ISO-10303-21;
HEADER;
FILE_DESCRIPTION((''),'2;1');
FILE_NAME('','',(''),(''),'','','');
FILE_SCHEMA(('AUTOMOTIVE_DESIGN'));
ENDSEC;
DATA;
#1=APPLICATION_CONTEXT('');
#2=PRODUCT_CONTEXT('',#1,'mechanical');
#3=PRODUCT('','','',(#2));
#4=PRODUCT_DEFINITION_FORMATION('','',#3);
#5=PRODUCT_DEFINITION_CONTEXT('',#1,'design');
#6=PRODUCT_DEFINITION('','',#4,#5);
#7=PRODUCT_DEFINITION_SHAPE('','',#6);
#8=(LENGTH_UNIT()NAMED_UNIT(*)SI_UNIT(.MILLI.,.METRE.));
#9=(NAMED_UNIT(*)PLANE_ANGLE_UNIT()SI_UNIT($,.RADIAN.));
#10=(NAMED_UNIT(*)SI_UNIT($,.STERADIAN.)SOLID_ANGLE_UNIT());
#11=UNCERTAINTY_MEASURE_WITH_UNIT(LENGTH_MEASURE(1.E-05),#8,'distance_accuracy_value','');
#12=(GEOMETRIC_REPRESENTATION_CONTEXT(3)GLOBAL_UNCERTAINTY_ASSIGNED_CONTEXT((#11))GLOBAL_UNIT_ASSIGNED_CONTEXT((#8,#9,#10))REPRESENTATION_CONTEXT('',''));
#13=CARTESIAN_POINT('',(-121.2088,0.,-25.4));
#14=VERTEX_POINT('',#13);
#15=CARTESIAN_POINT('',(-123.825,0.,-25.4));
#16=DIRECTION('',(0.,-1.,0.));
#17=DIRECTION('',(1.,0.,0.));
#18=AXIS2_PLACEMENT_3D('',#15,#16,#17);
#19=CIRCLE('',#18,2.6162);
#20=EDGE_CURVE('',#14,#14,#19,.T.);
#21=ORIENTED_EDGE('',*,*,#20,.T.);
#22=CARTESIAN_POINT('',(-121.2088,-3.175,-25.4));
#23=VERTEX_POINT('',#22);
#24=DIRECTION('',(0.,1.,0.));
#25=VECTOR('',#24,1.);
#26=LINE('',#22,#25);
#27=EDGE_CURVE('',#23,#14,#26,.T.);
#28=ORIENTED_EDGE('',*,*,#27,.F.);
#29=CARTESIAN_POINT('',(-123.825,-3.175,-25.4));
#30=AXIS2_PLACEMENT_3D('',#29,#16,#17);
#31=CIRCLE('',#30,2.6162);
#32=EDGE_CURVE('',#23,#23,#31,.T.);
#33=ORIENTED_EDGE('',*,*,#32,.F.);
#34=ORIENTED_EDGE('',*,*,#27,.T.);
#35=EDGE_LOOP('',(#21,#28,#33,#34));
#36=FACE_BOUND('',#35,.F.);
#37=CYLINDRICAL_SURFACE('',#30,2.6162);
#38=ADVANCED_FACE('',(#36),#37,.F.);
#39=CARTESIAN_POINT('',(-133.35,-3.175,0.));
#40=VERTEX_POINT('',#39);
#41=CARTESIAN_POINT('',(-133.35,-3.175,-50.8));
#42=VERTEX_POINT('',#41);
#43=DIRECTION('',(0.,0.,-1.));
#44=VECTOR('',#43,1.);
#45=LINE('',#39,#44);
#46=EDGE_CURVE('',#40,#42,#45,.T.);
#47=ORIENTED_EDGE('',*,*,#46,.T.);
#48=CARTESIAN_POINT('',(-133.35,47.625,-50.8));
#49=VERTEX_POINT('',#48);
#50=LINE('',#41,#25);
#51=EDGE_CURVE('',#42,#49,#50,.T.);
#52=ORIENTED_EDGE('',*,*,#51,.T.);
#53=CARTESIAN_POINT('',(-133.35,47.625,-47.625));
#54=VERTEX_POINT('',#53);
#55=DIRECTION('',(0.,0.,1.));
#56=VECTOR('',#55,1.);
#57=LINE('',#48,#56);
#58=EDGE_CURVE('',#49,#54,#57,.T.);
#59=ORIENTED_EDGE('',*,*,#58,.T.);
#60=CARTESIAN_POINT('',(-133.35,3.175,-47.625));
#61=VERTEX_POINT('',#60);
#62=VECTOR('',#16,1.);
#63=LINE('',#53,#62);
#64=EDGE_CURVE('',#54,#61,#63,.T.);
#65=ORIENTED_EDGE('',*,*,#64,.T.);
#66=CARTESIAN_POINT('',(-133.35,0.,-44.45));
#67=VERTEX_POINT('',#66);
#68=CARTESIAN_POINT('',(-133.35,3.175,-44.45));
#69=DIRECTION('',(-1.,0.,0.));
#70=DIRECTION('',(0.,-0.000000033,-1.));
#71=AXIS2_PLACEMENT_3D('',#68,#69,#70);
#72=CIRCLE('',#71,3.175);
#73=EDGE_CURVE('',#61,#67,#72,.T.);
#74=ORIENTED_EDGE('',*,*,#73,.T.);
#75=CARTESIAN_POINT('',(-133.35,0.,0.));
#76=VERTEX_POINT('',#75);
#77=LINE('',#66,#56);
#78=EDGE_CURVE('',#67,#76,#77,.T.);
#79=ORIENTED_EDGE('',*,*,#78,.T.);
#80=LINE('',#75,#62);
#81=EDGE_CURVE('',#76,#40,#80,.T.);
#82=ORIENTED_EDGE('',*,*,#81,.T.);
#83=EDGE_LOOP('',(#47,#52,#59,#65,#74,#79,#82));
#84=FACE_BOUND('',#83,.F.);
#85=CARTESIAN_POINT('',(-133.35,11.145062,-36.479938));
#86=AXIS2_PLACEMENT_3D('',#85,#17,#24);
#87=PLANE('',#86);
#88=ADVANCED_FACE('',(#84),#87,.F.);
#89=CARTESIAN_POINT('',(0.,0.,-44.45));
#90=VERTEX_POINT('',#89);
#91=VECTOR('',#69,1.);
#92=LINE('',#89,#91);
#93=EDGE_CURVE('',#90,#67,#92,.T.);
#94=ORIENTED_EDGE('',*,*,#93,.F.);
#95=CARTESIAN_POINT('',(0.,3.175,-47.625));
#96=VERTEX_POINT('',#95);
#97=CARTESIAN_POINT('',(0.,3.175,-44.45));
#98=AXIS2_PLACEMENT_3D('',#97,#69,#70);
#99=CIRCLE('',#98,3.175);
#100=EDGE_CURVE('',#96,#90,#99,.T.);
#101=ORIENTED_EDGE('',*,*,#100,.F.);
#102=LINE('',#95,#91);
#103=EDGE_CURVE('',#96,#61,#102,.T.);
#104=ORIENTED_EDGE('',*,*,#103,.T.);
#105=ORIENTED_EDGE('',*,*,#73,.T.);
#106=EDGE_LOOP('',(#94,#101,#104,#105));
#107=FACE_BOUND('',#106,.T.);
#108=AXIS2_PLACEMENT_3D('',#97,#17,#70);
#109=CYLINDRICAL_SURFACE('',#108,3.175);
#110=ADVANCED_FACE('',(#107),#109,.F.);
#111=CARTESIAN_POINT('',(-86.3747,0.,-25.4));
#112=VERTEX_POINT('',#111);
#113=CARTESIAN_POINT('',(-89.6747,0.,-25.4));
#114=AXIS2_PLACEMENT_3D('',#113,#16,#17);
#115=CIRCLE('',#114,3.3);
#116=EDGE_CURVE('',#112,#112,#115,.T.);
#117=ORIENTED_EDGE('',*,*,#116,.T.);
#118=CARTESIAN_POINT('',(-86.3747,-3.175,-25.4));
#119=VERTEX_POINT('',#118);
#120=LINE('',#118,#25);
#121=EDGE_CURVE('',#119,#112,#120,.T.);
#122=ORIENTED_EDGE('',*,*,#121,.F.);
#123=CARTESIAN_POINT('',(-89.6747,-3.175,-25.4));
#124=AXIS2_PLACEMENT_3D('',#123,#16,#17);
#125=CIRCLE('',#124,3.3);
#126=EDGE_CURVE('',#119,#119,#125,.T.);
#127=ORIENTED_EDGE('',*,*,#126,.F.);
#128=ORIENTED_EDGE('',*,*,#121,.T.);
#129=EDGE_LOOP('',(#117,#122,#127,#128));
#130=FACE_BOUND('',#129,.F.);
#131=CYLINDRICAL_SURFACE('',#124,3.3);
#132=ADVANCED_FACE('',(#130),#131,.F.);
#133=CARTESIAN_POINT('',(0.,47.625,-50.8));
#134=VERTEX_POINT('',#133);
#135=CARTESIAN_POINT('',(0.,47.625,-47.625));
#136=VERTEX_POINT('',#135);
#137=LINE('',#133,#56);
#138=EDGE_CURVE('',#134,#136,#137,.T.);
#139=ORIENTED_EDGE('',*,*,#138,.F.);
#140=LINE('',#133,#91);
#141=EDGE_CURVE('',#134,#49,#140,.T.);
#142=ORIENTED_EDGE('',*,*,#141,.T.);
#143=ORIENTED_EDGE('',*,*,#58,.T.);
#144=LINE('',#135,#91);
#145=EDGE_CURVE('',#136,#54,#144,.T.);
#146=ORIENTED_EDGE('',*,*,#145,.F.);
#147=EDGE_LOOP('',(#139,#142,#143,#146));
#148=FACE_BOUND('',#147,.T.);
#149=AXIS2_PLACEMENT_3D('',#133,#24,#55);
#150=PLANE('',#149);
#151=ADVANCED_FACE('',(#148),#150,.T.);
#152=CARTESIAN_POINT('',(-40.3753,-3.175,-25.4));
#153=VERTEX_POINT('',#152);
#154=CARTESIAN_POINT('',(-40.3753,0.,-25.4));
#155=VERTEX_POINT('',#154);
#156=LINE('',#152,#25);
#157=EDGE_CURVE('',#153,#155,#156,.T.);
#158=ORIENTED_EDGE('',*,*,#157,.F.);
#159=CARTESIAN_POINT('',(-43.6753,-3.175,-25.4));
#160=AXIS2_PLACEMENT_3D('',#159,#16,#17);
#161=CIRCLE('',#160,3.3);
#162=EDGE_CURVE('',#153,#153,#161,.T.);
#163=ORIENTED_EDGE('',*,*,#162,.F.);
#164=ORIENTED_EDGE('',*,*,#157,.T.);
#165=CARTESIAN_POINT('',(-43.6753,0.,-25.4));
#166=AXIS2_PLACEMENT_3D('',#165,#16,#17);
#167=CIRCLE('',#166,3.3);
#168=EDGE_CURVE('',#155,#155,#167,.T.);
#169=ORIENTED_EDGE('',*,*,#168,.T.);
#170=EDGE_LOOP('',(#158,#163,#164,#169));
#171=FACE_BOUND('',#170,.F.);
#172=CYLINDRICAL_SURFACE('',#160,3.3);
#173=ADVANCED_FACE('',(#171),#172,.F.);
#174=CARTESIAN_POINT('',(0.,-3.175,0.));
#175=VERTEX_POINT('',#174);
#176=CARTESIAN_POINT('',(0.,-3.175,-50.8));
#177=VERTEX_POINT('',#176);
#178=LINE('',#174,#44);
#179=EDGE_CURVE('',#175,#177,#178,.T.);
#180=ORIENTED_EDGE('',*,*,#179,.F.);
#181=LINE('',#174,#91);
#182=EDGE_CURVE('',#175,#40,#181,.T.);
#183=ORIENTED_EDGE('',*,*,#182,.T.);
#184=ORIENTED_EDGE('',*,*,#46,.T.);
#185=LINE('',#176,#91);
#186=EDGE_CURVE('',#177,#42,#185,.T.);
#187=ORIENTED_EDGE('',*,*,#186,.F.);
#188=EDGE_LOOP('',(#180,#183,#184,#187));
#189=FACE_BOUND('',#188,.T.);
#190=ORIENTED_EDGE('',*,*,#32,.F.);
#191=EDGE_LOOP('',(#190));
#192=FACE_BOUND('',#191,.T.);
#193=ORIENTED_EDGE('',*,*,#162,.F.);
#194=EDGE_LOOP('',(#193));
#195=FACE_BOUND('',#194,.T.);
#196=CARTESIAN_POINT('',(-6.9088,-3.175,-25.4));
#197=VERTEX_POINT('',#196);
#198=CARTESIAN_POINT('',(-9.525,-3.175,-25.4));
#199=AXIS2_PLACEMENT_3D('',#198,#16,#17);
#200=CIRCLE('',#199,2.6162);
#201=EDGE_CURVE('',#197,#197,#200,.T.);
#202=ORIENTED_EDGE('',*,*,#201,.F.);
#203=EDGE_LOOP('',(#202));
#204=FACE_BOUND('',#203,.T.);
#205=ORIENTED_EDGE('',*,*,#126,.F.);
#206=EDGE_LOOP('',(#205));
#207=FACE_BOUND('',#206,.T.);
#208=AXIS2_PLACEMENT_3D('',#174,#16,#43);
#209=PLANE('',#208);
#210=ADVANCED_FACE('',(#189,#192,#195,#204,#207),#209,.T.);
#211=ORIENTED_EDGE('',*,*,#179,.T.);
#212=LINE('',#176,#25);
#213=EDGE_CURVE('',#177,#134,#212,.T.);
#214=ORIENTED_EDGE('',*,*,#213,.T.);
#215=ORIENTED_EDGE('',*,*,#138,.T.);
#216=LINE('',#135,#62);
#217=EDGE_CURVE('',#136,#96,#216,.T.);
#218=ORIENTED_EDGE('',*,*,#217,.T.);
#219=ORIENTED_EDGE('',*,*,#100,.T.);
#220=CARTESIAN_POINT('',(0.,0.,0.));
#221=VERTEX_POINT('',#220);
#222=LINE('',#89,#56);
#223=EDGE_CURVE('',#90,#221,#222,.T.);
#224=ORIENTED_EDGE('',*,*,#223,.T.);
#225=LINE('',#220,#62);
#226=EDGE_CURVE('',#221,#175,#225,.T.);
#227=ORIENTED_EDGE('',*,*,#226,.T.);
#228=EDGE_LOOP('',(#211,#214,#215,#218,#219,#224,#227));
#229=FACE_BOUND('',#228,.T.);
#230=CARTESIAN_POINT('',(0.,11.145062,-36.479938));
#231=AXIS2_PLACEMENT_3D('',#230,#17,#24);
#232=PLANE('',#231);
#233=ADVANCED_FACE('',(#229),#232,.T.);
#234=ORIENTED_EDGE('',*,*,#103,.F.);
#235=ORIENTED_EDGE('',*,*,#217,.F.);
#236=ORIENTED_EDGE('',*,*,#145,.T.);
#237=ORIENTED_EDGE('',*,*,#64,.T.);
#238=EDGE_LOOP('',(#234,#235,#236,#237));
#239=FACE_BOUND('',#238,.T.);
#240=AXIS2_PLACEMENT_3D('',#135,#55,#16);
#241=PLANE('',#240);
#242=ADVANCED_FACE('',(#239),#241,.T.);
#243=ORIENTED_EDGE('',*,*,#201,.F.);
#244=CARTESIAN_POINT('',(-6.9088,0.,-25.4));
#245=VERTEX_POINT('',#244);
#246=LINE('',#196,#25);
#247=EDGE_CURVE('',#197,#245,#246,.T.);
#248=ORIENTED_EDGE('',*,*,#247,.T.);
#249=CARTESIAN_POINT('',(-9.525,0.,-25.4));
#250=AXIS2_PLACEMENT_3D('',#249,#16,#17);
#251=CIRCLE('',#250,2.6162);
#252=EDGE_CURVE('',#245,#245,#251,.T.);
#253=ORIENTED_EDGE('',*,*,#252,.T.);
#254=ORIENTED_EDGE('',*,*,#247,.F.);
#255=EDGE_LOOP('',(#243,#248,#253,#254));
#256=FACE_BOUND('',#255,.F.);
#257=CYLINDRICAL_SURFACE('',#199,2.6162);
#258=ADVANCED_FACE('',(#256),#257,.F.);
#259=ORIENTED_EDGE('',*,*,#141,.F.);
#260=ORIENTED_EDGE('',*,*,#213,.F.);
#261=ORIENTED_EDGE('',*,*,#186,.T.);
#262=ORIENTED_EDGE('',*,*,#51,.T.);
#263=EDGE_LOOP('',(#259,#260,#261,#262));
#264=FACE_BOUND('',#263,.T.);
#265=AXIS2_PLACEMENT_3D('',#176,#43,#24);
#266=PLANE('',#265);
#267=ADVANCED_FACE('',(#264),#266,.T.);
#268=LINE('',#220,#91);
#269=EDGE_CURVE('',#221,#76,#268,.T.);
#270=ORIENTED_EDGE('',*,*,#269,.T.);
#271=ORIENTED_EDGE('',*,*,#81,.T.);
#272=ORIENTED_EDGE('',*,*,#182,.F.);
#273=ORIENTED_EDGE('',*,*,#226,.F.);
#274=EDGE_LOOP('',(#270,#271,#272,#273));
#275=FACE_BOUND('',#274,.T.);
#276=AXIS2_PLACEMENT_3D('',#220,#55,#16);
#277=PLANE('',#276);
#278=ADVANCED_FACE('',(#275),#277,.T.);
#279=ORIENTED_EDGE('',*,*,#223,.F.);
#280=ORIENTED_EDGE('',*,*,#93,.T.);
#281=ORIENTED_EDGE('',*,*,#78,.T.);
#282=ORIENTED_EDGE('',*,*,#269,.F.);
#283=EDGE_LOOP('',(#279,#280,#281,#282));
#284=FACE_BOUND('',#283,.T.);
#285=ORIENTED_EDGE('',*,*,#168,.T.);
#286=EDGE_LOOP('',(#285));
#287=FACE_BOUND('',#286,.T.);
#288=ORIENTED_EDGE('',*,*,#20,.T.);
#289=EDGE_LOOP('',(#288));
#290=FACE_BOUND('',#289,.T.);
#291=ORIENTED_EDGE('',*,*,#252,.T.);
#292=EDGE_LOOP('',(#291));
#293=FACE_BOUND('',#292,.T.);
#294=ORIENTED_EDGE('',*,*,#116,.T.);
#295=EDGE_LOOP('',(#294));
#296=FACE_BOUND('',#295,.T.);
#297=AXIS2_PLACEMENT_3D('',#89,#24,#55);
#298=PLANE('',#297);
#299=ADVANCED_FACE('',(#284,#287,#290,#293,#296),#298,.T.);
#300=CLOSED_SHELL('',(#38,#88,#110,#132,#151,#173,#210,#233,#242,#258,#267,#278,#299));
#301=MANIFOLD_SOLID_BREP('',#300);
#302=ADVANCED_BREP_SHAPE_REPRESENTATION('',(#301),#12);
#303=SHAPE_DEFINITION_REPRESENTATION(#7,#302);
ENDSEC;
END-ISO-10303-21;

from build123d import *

# Parameters (mm, degrees)
F1_DEPTH = 133.35
F2_R     = 2.6162
F2_R_2   = 3.3
F3_DEPTH = 50.801


with BuildPart() as f1:
    # F0 (on Right) → F1 (new body)
    with BuildSketch(Plane.YZ):
        with BuildLine():
            Line((0, -44.45), (0, 0))
            Line((0, 0), (-3.175, 0))
            Line((-3.175, 0), (-3.175, -50.8))
            Line((-3.175, -50.8), (47.625, -50.8))
            Line((47.625, -50.8), (47.625, -47.625))
            Line((47.625, -47.625), (3.175, -47.625))
            ThreePointArc((3.175, -47.625), (0.929936, -46.695064), (0, -44.45))
        make_face()
    extrude(amount=-F1_DEPTH)

    # F2 (on face) → F3 (cut, through all)
    with BuildSketch(Plane.XZ.offset(3.175)):
        with Locations((-123.825, -25.4)):
            Circle(F2_R)
        with Locations((-9.525, -25.4)):
            Circle(F2_R)
        with Locations((-89.6747, -25.4)):
            Circle(F2_R_2)
        with Locations((-43.6753, -25.4)):
            Circle(F2_R_2)
    extrude(amount=-F3_DEPTH, mode=Mode.SUBTRACT)


solid = f1.part
